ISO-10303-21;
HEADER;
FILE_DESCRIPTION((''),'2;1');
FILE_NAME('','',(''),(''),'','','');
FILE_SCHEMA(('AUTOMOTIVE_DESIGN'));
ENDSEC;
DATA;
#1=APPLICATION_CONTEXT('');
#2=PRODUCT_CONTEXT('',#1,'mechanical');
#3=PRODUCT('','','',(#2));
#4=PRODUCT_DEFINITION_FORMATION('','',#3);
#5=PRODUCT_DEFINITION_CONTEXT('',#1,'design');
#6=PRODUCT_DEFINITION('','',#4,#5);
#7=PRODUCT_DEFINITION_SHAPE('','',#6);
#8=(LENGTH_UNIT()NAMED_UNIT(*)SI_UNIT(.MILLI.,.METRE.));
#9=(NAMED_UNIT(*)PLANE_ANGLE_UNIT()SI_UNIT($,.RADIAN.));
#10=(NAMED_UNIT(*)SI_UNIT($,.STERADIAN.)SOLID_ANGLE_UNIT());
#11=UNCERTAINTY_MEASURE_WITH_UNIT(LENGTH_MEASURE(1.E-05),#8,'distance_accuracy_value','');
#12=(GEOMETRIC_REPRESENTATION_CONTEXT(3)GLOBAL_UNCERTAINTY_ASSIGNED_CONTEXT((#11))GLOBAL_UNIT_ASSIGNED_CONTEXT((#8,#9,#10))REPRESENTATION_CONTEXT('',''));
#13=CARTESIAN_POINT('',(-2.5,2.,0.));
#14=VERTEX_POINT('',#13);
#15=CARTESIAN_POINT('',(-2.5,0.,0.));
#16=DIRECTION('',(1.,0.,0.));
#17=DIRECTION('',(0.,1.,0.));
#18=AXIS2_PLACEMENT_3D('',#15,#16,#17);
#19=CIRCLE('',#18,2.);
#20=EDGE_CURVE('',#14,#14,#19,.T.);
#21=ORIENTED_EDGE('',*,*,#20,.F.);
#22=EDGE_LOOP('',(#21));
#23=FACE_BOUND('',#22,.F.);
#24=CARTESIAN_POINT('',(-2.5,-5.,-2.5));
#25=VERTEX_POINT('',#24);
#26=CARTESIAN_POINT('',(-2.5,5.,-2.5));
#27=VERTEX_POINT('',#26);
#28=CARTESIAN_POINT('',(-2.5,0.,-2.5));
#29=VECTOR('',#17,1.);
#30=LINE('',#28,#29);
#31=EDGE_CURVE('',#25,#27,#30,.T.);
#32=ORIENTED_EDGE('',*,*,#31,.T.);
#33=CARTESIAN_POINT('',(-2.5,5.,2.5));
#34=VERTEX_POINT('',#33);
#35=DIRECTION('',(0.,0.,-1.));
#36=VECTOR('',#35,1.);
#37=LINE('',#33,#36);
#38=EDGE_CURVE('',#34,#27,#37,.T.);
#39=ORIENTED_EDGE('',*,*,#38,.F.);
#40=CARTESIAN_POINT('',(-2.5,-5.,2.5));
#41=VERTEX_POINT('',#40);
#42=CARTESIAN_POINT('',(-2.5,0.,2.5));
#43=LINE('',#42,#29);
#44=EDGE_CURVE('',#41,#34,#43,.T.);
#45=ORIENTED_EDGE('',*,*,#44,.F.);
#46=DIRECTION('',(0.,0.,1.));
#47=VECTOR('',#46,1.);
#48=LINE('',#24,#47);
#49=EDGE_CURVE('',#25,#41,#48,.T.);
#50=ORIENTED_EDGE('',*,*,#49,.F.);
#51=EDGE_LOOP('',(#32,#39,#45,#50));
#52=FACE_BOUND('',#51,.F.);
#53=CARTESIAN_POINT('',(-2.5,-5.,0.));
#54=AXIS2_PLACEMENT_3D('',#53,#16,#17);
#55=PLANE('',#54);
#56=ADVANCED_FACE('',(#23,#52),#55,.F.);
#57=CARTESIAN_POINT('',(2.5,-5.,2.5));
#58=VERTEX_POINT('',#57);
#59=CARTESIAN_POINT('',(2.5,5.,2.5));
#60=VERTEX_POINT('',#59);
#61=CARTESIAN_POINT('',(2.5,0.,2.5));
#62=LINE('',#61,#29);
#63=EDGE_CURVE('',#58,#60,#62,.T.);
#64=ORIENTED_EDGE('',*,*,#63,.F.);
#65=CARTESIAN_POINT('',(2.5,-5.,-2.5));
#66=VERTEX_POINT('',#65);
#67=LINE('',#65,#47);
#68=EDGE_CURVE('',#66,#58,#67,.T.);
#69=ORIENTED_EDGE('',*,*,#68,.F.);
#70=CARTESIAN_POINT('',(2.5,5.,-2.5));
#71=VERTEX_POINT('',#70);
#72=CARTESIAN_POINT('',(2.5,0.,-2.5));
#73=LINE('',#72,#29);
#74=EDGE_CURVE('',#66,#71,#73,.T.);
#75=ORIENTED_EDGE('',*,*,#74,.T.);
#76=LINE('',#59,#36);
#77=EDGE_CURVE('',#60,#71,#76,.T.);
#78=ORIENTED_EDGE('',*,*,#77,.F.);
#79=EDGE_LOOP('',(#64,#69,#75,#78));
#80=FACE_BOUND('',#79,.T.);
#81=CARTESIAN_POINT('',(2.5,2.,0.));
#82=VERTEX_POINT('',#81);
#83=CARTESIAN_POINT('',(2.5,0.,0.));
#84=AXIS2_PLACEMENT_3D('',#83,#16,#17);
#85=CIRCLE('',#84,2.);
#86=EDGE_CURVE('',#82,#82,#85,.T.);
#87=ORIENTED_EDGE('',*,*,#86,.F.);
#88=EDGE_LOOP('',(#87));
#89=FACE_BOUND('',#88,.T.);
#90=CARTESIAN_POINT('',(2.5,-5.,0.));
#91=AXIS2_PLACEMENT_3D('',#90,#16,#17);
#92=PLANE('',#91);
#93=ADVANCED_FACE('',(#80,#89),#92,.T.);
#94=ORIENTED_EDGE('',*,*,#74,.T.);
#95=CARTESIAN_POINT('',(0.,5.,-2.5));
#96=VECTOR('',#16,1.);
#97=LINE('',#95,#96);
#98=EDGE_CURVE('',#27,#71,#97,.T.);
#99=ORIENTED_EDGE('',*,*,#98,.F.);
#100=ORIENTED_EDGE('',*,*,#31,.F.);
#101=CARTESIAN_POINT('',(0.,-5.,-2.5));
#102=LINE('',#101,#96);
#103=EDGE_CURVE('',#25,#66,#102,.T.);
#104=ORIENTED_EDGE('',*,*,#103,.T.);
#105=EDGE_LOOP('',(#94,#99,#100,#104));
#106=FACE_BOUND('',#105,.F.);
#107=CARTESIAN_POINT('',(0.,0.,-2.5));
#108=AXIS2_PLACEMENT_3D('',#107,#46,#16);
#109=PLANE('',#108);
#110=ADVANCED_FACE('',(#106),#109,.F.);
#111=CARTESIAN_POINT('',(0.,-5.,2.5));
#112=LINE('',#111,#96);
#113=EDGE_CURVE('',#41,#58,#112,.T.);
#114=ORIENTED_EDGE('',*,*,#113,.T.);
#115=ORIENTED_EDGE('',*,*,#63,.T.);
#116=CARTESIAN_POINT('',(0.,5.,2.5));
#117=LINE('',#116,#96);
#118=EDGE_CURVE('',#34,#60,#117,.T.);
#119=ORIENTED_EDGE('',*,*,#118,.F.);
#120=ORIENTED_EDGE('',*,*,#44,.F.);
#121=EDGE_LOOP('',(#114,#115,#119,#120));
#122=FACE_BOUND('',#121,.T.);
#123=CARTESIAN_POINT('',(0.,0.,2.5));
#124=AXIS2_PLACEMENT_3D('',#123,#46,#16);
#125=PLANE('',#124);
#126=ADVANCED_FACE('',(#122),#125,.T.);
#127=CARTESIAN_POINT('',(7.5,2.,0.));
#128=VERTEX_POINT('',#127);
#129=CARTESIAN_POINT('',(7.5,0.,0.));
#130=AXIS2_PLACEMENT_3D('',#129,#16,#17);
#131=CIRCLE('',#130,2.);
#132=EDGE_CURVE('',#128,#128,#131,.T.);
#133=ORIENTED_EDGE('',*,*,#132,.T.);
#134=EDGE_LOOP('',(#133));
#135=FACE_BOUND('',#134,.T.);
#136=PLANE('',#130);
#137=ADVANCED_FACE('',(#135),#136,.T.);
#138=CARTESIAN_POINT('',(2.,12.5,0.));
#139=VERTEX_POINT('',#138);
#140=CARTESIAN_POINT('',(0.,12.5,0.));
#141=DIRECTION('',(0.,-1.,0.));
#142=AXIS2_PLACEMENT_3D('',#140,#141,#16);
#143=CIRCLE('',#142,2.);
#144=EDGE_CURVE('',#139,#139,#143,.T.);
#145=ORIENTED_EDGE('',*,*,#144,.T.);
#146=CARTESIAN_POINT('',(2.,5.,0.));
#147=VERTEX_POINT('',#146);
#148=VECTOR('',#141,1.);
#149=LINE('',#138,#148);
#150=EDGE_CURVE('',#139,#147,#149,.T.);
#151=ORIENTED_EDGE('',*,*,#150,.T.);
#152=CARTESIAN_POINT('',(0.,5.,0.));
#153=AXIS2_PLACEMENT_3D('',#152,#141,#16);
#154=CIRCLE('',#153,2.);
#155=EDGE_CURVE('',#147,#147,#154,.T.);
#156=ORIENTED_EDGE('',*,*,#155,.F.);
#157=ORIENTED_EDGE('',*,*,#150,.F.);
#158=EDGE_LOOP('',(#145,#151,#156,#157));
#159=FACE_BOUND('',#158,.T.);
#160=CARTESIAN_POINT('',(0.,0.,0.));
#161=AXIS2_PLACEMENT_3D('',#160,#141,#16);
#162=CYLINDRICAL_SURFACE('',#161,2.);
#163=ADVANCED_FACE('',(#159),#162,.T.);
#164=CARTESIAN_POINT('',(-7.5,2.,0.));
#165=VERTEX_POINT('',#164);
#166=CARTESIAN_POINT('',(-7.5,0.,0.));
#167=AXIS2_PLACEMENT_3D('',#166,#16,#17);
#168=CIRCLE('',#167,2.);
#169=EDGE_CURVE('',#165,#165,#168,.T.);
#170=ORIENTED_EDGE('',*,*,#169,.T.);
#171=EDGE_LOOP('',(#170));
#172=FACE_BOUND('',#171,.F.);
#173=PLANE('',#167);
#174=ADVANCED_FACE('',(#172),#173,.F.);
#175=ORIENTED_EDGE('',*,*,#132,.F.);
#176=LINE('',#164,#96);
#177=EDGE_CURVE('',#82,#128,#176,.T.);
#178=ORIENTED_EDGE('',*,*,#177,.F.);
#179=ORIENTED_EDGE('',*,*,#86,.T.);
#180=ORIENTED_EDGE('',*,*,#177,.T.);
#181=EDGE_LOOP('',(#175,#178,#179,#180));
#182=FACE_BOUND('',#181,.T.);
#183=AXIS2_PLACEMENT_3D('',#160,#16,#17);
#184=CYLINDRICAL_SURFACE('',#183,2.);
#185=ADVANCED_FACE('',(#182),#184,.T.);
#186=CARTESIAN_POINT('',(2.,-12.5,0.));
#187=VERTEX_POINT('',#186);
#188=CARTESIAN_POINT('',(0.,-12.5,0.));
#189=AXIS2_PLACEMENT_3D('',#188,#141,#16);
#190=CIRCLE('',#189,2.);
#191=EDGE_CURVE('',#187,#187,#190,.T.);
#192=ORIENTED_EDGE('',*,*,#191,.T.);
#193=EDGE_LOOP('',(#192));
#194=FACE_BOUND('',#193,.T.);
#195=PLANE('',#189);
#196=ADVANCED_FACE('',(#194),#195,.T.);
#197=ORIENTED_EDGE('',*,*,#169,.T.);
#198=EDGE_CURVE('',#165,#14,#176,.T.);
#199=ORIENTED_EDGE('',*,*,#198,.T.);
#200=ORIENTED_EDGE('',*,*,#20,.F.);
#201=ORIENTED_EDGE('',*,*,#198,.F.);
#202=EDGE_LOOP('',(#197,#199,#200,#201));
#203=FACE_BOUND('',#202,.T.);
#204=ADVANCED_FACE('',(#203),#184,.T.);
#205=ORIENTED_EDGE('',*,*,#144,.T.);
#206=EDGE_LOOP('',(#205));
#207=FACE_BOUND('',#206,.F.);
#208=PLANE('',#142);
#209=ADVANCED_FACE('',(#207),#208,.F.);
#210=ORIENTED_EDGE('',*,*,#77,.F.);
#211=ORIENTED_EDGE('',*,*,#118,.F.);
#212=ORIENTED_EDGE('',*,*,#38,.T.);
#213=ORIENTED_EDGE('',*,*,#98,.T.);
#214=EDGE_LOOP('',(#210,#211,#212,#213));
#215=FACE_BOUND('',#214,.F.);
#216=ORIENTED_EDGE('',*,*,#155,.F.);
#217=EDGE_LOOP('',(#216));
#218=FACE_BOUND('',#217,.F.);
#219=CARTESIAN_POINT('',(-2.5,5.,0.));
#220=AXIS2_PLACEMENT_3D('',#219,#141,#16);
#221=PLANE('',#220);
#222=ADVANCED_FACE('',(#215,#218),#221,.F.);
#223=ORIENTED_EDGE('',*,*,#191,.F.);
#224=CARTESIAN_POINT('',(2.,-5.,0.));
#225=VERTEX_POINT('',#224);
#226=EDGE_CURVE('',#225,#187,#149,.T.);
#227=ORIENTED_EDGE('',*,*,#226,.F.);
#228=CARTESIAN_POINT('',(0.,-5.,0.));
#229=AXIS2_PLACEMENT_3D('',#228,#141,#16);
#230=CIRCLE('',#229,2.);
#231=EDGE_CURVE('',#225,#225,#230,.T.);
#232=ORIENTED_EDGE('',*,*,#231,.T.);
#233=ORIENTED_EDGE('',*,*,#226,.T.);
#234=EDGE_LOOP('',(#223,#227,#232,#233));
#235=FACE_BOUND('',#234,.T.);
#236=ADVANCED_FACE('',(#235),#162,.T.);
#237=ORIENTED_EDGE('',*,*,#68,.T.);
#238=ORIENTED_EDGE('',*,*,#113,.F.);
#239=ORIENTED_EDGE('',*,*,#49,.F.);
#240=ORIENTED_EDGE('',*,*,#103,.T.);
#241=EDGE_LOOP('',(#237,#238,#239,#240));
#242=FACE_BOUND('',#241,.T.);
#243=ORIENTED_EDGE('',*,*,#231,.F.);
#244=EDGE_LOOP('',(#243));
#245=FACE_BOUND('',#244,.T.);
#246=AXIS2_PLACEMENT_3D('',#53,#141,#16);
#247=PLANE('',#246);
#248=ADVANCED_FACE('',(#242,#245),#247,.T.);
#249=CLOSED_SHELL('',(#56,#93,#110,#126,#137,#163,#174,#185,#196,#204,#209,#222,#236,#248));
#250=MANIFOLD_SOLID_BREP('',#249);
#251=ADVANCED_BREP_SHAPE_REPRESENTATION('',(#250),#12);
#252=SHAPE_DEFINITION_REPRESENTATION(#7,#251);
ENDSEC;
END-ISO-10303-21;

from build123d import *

# Parameters (mm, degrees)
F0_W     = 5
F0_H     = 10
F1_DEPTH = 2.5
F2_R     = 2
F3_DEPTH = 12.5
F4_R     = 2
F5_DEPTH = 7.5


with BuildPart() as f1:
    # F0 (on Top) → F1 (new body, symmetric)
    with BuildSketch(Plane.XY):
        Rectangle(F0_W, F0_H)
    extrude(amount=F1_DEPTH, both=True)

    # F2 (on Front) → F3 (join, symmetric)
    with BuildSketch(Plane.XZ):
        Circle(F2_R)
    extrude(amount=F3_DEPTH, both=True)

    # F4 (on Right) → F5 (join, symmetric)
    with BuildSketch(Plane.YZ):
        Circle(F4_R)
    extrude(amount=F5_DEPTH, both=True)


solid = f1.part
